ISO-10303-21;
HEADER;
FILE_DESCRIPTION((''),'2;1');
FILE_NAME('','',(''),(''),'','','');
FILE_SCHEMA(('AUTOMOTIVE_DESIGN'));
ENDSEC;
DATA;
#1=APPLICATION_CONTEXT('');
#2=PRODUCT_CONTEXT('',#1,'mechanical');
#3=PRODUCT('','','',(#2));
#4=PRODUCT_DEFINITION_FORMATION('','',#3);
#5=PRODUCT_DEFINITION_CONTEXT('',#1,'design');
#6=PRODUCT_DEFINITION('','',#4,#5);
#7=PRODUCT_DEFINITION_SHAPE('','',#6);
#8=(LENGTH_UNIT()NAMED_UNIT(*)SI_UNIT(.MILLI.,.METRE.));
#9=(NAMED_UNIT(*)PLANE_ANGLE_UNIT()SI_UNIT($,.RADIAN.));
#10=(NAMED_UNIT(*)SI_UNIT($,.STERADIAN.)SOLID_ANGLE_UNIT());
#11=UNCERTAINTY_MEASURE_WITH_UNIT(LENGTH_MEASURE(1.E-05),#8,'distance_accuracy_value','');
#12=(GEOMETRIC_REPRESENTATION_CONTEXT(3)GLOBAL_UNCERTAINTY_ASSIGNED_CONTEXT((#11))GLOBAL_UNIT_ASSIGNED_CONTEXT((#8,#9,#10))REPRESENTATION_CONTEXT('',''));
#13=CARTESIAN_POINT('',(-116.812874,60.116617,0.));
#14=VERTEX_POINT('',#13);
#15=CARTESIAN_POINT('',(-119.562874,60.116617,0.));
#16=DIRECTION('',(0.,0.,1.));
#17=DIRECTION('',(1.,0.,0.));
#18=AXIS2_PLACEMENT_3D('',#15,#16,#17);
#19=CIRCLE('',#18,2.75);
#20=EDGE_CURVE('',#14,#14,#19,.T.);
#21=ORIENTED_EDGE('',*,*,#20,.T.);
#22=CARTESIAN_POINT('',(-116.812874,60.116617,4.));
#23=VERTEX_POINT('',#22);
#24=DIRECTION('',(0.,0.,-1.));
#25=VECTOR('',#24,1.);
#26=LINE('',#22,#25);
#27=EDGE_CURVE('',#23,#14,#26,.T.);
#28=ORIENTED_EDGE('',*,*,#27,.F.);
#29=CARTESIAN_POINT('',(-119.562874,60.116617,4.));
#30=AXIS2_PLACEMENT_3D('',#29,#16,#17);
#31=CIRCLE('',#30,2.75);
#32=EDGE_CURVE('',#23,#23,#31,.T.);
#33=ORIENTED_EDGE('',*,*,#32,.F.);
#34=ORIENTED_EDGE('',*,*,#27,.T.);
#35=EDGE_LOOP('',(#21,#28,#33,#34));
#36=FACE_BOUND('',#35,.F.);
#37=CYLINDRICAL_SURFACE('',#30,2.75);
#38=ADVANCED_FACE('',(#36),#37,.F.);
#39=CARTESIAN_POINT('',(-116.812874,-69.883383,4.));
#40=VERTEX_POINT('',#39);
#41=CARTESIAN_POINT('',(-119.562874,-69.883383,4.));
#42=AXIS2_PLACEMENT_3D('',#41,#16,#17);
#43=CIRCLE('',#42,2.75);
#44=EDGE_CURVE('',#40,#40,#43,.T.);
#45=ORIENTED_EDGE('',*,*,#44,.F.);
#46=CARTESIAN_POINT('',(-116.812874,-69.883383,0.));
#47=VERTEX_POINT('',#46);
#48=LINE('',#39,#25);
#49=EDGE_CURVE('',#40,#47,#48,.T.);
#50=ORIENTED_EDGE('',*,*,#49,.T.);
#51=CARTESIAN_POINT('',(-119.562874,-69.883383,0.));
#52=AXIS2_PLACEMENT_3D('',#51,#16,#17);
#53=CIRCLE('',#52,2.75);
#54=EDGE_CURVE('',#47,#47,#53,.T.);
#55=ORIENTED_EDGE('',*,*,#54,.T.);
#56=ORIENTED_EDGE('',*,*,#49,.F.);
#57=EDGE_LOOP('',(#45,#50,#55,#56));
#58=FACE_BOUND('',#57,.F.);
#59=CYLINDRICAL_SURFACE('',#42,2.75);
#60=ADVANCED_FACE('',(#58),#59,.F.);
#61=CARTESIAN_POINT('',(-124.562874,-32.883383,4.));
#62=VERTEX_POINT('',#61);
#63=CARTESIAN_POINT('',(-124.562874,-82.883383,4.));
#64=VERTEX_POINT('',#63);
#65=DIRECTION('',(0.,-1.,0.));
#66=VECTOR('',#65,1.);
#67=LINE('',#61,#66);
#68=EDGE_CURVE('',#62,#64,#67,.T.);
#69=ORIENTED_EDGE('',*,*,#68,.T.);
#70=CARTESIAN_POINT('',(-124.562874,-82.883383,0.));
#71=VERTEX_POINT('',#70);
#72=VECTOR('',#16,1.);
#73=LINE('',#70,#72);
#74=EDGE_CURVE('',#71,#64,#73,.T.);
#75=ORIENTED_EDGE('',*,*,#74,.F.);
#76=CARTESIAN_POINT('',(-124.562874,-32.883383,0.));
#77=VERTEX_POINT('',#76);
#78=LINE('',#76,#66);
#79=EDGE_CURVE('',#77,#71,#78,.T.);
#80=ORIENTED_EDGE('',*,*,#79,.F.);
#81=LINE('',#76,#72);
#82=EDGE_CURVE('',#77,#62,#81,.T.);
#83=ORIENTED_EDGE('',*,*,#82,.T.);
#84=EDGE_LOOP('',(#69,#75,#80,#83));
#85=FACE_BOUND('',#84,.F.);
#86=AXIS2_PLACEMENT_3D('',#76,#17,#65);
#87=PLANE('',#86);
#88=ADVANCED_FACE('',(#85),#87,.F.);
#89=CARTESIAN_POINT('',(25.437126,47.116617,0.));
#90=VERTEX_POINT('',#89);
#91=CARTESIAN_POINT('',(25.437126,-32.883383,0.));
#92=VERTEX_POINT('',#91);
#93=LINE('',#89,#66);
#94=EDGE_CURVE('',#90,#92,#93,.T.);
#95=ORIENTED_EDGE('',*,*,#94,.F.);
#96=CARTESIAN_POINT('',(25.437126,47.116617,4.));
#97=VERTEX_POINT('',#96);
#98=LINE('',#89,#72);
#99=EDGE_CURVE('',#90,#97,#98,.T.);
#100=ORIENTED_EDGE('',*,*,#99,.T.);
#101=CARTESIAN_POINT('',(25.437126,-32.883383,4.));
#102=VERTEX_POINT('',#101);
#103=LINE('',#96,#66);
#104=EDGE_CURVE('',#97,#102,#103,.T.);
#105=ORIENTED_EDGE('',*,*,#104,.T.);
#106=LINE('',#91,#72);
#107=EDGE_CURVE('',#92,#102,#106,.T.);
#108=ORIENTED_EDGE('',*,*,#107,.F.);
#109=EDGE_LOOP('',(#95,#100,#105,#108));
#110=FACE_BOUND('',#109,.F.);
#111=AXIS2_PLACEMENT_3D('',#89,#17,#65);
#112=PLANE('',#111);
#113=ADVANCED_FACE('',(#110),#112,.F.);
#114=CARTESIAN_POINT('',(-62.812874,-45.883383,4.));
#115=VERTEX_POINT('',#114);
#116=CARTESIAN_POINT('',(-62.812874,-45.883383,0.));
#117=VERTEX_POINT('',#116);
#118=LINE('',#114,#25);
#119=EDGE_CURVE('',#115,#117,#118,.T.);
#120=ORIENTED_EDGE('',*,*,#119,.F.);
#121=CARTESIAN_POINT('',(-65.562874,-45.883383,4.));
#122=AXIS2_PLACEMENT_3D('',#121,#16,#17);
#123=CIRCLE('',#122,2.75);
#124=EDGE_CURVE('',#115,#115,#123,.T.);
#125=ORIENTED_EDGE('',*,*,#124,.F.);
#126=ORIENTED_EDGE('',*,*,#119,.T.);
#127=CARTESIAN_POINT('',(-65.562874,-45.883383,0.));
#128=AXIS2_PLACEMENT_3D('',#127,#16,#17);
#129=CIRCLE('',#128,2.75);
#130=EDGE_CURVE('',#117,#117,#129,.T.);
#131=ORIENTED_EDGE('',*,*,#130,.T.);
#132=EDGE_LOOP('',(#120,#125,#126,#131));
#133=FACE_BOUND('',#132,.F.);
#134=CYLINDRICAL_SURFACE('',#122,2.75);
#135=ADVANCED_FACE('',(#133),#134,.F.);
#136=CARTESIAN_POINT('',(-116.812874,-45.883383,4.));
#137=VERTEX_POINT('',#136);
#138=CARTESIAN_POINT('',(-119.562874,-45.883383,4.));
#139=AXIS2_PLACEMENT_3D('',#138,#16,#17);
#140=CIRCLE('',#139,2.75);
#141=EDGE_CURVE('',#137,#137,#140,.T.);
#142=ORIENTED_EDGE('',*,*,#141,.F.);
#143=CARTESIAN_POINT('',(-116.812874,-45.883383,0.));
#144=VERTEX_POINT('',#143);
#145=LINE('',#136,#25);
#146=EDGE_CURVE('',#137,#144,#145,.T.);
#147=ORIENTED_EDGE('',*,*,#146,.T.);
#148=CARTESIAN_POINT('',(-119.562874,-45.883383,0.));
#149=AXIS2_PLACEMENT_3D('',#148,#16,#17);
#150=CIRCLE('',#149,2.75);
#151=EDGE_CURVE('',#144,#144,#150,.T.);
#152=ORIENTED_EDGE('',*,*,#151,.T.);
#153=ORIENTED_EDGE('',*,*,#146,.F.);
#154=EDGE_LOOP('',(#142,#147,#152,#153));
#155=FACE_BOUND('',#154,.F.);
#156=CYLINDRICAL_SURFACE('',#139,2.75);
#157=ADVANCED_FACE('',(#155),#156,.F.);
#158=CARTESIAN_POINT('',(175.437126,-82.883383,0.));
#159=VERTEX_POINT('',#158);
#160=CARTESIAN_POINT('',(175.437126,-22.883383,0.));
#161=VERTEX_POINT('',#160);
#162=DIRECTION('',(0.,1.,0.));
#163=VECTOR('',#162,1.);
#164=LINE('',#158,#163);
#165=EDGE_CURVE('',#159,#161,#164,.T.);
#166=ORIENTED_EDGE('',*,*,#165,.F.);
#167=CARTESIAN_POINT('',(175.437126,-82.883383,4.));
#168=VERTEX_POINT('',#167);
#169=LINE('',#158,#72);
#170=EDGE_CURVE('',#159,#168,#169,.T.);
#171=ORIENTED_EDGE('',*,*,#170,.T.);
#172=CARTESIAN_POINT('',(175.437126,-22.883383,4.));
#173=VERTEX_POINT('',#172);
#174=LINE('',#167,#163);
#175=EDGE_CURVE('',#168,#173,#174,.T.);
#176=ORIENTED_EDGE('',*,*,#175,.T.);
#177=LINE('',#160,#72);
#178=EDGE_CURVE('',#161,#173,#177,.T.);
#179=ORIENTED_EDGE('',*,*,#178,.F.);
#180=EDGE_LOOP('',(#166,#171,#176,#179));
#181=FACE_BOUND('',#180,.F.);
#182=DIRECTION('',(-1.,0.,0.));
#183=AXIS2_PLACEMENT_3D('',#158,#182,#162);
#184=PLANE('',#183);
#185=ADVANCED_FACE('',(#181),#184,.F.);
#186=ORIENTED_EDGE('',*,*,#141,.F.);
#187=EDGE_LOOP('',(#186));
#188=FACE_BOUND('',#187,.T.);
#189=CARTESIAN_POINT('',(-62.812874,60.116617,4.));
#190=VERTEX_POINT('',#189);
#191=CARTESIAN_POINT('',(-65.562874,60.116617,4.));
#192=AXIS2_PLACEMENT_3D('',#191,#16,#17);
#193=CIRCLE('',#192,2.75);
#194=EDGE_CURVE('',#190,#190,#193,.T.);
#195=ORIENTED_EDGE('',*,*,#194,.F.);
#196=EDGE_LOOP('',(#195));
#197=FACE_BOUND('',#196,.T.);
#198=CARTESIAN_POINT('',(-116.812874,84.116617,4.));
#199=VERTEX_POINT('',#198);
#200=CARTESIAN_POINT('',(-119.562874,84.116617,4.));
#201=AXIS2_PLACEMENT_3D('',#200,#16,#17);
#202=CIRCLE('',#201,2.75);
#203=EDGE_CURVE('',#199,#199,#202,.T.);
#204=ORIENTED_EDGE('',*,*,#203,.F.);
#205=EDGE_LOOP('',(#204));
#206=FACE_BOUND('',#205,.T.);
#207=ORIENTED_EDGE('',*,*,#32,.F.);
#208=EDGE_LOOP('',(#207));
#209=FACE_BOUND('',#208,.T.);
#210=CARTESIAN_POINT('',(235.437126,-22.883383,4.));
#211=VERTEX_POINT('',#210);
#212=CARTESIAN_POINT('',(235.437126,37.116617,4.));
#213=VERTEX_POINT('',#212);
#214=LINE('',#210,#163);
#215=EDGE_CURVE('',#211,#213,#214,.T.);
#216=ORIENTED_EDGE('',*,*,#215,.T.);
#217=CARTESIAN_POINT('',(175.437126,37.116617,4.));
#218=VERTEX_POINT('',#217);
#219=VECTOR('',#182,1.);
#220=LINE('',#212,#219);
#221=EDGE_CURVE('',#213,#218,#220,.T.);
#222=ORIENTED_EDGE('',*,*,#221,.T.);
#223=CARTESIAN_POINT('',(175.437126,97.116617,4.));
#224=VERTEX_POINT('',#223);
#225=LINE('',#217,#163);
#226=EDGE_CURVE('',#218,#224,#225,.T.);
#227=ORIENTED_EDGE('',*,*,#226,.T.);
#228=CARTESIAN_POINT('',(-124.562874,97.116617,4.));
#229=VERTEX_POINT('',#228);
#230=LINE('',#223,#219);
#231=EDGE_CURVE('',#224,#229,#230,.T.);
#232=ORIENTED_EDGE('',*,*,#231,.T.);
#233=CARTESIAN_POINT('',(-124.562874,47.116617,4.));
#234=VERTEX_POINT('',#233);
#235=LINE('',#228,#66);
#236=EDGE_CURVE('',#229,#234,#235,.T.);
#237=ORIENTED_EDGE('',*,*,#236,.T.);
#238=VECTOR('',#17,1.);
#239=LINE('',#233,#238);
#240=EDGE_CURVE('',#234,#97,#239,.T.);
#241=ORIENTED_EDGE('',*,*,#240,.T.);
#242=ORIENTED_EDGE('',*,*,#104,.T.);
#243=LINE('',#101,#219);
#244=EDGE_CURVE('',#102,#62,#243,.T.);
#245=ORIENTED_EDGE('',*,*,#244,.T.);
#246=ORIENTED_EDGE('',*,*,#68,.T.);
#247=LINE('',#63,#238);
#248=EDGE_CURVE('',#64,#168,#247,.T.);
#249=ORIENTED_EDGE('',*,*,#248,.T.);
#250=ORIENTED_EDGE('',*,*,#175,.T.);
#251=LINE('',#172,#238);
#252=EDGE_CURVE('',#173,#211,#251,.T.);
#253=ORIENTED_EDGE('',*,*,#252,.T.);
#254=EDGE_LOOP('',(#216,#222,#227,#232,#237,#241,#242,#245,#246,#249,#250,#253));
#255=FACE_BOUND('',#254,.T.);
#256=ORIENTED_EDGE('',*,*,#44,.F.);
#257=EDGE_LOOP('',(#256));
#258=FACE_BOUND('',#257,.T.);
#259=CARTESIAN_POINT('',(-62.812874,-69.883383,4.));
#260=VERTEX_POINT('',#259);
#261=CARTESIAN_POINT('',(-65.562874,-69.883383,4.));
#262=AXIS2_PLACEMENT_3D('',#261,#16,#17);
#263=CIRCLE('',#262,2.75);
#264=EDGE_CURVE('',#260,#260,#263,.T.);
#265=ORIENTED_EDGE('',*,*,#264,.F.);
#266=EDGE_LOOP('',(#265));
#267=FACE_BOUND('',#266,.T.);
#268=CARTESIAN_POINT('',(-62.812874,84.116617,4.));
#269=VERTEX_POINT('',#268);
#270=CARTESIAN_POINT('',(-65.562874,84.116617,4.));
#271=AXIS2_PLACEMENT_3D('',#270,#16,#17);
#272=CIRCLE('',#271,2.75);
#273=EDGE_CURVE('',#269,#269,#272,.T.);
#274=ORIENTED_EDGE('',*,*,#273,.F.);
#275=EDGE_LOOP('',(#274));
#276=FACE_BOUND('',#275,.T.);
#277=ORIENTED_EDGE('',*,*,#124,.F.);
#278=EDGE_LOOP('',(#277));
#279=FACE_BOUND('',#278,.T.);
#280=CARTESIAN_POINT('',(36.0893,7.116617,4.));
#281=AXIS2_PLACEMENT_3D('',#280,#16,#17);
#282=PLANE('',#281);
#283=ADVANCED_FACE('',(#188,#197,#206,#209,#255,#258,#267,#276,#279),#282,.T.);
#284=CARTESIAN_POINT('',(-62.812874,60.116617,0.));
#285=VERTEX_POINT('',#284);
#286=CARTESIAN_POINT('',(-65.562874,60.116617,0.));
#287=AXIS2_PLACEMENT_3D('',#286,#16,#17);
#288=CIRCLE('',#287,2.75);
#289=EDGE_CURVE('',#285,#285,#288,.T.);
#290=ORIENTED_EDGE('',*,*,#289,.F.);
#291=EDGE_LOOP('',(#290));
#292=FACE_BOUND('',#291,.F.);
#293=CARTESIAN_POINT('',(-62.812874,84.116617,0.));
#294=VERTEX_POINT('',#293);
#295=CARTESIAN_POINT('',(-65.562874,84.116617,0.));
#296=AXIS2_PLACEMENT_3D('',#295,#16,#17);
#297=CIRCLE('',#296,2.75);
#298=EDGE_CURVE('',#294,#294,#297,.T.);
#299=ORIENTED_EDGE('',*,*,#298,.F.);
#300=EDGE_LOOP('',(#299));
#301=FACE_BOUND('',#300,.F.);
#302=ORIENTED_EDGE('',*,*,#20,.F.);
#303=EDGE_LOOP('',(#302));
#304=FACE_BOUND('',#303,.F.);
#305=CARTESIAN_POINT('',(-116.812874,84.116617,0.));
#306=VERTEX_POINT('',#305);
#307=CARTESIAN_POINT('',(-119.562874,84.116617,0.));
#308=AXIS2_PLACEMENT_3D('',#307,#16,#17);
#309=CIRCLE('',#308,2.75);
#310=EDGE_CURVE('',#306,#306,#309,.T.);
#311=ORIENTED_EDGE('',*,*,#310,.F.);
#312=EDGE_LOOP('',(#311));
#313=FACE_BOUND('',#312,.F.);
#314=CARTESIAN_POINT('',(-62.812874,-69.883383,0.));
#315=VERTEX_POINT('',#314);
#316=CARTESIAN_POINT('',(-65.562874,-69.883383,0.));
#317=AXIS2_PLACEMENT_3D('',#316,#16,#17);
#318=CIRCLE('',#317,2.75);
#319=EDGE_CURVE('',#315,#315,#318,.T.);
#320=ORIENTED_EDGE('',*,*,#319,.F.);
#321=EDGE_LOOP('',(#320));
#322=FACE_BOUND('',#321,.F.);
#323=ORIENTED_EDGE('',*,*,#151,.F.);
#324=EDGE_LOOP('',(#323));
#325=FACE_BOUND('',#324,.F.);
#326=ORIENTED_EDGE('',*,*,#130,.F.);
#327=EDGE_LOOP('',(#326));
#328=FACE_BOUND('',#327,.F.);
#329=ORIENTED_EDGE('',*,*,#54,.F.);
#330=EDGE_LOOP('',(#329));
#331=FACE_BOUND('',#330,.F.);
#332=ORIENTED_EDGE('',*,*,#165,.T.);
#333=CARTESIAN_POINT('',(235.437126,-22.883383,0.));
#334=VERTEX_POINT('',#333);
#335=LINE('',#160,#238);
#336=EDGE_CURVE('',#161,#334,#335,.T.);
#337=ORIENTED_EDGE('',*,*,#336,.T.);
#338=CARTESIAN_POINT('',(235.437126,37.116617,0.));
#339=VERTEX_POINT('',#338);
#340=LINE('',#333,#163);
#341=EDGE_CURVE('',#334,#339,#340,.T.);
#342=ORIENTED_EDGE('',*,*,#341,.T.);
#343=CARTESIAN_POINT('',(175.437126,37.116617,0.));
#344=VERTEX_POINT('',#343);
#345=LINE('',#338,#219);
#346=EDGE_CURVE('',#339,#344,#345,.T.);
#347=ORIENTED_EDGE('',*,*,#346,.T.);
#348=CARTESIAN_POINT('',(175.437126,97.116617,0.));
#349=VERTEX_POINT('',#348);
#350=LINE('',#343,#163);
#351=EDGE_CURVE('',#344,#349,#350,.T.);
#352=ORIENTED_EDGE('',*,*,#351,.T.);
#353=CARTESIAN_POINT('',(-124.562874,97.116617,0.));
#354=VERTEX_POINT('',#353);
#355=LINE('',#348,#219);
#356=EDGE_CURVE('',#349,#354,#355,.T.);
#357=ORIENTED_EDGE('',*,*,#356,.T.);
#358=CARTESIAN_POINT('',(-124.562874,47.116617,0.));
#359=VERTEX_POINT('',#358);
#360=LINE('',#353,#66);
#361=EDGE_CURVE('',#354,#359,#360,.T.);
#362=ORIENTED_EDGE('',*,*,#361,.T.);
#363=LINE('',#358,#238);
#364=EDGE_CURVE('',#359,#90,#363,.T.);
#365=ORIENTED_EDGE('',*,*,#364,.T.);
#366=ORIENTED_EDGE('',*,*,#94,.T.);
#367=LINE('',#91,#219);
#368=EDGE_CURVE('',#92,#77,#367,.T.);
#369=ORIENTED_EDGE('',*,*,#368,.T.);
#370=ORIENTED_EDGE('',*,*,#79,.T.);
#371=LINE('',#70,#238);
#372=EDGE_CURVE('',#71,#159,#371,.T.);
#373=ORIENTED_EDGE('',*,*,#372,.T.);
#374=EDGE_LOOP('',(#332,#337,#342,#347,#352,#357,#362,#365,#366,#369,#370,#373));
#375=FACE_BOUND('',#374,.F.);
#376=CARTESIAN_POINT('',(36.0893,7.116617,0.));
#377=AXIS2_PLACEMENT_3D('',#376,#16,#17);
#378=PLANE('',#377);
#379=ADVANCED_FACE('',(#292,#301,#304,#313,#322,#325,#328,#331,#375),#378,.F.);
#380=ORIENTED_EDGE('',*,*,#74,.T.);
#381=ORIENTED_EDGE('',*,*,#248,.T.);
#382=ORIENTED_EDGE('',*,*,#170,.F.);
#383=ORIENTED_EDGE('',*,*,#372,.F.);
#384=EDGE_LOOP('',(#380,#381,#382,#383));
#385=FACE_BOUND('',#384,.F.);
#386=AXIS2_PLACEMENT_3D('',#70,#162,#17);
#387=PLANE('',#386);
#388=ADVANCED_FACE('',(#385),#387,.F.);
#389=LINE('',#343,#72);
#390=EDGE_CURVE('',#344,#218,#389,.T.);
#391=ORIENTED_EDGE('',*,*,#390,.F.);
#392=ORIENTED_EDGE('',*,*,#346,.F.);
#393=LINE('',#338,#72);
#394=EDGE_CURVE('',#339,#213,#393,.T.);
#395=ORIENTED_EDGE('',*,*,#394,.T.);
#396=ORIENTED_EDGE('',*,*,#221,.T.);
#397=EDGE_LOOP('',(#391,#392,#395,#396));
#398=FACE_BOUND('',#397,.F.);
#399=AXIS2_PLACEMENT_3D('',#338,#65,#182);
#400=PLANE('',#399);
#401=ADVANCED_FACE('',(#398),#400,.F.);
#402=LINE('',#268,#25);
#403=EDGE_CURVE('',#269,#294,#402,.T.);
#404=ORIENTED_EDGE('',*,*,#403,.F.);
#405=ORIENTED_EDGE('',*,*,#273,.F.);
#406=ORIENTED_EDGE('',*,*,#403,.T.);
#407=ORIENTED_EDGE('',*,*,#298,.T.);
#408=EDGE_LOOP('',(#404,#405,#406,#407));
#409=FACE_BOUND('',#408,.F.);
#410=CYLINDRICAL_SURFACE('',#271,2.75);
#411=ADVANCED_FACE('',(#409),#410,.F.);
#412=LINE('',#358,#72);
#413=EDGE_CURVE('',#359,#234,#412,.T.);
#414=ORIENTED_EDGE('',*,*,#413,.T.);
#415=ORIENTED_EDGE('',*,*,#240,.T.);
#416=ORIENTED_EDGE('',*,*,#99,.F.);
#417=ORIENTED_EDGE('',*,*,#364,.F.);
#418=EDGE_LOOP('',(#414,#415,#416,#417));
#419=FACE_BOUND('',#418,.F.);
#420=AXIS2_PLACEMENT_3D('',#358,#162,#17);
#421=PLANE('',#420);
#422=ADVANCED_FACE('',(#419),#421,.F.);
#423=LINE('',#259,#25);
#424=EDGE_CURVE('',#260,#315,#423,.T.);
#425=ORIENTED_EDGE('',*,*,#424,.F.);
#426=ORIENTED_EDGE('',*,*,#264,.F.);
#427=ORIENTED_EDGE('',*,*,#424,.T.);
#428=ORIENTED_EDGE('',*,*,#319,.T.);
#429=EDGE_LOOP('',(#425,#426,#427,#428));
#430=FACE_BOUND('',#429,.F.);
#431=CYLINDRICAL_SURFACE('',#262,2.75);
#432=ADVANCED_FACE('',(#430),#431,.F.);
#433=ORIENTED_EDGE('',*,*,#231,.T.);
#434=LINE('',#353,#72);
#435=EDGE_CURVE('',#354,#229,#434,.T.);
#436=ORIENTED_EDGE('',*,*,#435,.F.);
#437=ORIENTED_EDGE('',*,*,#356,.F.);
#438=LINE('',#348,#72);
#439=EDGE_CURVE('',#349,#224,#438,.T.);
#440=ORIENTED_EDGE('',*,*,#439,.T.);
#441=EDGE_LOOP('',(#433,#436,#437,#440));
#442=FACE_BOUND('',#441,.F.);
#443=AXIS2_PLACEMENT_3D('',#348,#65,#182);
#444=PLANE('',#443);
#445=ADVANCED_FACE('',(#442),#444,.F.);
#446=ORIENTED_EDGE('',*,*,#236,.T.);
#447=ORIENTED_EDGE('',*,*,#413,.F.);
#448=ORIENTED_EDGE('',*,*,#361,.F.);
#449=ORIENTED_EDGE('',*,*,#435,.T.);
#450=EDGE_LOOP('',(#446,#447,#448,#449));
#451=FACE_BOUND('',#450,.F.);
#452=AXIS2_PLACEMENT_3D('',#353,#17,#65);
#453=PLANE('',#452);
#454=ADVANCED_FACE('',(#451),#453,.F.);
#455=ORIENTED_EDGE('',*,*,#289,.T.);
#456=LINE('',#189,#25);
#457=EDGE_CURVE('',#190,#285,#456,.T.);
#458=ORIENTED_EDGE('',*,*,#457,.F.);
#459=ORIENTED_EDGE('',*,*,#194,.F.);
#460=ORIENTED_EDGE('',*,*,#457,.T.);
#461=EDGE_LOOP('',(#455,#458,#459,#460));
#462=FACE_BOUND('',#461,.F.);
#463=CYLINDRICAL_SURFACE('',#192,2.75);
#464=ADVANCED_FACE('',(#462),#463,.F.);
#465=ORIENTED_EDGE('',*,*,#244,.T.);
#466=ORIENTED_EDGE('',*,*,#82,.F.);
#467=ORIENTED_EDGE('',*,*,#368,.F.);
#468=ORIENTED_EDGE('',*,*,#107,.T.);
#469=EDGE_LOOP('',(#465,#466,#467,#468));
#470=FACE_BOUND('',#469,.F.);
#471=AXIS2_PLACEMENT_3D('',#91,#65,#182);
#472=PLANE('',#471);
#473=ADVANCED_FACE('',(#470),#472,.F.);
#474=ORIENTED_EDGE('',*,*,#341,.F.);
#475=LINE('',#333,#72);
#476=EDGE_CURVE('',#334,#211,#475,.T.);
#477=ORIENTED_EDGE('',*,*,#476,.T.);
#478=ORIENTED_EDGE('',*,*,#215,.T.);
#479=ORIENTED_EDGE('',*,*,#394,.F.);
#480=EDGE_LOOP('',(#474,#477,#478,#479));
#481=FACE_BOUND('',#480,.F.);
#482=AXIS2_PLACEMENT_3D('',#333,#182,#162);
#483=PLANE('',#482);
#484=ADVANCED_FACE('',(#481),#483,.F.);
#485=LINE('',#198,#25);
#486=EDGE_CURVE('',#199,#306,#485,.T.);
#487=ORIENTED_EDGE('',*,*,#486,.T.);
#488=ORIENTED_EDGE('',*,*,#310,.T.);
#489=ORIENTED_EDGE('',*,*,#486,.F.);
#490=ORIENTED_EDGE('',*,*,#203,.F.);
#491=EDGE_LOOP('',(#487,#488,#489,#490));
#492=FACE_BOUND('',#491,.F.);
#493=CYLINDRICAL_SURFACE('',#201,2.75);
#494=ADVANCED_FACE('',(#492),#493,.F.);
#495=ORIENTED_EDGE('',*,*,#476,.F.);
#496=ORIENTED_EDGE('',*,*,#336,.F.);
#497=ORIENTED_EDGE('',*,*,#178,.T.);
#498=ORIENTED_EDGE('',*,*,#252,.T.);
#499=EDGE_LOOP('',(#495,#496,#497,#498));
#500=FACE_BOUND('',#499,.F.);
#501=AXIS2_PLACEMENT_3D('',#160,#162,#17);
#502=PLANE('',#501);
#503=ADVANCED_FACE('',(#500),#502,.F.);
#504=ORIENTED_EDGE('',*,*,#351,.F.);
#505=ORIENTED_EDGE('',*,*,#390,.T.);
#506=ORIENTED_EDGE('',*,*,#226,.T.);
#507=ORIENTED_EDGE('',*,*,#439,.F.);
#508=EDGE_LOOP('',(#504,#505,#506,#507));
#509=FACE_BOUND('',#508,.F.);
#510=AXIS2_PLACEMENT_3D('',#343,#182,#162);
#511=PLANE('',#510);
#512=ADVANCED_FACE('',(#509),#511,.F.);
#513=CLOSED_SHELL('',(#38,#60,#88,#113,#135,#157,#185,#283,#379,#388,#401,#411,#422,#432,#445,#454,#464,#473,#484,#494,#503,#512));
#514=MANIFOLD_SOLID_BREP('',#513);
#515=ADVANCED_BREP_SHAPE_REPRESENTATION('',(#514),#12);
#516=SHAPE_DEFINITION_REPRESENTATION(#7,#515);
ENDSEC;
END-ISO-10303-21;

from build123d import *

# Parameters (mm, degrees)
F1_DEPTH = 4
F2_R     = 2.75
F3_DEPTH = 5


with BuildPart() as f1:
    # F0 (on Top) → F1 (new body)
    with BuildSketch(Plane.XY):
        Polygon((175.437126, 97.116617), (-124.562874, 97.116617), (-124.562874, 47.116617), (25.437126, 47.116617), (25.437126, -32.883383), (-124.562874, -32.883383), (-124.562874, -82.883383), (175.437126, -82.883383), (175.437126, -22.883383), (235.437126, -22.883383), (235.437126, 37.116617), (175.437126, 37.116617), align=None)
    extrude(amount=F1_DEPTH)

    # F2 (on face) → F3 (cut)
    with BuildSketch(Plane.XY.offset(4)):
        with Locations((-119.562874, 84.116617)):
            Circle(F2_R)
        with Locations((-65.562874, 84.116617)):
            Circle(F2_R)
        with Locations((-65.562874, 60.116617)):
            Circle(F2_R)
        with Locations((-119.562874, 60.116617)):
            Circle(F2_R)
        with Locations((-119.562874, -45.883383)):
            Circle(F2_R)
        with Locations((-119.562874, -69.883383)):
            Circle(F2_R)
        with Locations((-65.562874, -45.883383)):
            Circle(F2_R)
        with Locations((-65.562874, -69.883383)):
            Circle(F2_R)
    extrude(amount=-F3_DEPTH, mode=Mode.SUBTRACT)


solid = f1.part
